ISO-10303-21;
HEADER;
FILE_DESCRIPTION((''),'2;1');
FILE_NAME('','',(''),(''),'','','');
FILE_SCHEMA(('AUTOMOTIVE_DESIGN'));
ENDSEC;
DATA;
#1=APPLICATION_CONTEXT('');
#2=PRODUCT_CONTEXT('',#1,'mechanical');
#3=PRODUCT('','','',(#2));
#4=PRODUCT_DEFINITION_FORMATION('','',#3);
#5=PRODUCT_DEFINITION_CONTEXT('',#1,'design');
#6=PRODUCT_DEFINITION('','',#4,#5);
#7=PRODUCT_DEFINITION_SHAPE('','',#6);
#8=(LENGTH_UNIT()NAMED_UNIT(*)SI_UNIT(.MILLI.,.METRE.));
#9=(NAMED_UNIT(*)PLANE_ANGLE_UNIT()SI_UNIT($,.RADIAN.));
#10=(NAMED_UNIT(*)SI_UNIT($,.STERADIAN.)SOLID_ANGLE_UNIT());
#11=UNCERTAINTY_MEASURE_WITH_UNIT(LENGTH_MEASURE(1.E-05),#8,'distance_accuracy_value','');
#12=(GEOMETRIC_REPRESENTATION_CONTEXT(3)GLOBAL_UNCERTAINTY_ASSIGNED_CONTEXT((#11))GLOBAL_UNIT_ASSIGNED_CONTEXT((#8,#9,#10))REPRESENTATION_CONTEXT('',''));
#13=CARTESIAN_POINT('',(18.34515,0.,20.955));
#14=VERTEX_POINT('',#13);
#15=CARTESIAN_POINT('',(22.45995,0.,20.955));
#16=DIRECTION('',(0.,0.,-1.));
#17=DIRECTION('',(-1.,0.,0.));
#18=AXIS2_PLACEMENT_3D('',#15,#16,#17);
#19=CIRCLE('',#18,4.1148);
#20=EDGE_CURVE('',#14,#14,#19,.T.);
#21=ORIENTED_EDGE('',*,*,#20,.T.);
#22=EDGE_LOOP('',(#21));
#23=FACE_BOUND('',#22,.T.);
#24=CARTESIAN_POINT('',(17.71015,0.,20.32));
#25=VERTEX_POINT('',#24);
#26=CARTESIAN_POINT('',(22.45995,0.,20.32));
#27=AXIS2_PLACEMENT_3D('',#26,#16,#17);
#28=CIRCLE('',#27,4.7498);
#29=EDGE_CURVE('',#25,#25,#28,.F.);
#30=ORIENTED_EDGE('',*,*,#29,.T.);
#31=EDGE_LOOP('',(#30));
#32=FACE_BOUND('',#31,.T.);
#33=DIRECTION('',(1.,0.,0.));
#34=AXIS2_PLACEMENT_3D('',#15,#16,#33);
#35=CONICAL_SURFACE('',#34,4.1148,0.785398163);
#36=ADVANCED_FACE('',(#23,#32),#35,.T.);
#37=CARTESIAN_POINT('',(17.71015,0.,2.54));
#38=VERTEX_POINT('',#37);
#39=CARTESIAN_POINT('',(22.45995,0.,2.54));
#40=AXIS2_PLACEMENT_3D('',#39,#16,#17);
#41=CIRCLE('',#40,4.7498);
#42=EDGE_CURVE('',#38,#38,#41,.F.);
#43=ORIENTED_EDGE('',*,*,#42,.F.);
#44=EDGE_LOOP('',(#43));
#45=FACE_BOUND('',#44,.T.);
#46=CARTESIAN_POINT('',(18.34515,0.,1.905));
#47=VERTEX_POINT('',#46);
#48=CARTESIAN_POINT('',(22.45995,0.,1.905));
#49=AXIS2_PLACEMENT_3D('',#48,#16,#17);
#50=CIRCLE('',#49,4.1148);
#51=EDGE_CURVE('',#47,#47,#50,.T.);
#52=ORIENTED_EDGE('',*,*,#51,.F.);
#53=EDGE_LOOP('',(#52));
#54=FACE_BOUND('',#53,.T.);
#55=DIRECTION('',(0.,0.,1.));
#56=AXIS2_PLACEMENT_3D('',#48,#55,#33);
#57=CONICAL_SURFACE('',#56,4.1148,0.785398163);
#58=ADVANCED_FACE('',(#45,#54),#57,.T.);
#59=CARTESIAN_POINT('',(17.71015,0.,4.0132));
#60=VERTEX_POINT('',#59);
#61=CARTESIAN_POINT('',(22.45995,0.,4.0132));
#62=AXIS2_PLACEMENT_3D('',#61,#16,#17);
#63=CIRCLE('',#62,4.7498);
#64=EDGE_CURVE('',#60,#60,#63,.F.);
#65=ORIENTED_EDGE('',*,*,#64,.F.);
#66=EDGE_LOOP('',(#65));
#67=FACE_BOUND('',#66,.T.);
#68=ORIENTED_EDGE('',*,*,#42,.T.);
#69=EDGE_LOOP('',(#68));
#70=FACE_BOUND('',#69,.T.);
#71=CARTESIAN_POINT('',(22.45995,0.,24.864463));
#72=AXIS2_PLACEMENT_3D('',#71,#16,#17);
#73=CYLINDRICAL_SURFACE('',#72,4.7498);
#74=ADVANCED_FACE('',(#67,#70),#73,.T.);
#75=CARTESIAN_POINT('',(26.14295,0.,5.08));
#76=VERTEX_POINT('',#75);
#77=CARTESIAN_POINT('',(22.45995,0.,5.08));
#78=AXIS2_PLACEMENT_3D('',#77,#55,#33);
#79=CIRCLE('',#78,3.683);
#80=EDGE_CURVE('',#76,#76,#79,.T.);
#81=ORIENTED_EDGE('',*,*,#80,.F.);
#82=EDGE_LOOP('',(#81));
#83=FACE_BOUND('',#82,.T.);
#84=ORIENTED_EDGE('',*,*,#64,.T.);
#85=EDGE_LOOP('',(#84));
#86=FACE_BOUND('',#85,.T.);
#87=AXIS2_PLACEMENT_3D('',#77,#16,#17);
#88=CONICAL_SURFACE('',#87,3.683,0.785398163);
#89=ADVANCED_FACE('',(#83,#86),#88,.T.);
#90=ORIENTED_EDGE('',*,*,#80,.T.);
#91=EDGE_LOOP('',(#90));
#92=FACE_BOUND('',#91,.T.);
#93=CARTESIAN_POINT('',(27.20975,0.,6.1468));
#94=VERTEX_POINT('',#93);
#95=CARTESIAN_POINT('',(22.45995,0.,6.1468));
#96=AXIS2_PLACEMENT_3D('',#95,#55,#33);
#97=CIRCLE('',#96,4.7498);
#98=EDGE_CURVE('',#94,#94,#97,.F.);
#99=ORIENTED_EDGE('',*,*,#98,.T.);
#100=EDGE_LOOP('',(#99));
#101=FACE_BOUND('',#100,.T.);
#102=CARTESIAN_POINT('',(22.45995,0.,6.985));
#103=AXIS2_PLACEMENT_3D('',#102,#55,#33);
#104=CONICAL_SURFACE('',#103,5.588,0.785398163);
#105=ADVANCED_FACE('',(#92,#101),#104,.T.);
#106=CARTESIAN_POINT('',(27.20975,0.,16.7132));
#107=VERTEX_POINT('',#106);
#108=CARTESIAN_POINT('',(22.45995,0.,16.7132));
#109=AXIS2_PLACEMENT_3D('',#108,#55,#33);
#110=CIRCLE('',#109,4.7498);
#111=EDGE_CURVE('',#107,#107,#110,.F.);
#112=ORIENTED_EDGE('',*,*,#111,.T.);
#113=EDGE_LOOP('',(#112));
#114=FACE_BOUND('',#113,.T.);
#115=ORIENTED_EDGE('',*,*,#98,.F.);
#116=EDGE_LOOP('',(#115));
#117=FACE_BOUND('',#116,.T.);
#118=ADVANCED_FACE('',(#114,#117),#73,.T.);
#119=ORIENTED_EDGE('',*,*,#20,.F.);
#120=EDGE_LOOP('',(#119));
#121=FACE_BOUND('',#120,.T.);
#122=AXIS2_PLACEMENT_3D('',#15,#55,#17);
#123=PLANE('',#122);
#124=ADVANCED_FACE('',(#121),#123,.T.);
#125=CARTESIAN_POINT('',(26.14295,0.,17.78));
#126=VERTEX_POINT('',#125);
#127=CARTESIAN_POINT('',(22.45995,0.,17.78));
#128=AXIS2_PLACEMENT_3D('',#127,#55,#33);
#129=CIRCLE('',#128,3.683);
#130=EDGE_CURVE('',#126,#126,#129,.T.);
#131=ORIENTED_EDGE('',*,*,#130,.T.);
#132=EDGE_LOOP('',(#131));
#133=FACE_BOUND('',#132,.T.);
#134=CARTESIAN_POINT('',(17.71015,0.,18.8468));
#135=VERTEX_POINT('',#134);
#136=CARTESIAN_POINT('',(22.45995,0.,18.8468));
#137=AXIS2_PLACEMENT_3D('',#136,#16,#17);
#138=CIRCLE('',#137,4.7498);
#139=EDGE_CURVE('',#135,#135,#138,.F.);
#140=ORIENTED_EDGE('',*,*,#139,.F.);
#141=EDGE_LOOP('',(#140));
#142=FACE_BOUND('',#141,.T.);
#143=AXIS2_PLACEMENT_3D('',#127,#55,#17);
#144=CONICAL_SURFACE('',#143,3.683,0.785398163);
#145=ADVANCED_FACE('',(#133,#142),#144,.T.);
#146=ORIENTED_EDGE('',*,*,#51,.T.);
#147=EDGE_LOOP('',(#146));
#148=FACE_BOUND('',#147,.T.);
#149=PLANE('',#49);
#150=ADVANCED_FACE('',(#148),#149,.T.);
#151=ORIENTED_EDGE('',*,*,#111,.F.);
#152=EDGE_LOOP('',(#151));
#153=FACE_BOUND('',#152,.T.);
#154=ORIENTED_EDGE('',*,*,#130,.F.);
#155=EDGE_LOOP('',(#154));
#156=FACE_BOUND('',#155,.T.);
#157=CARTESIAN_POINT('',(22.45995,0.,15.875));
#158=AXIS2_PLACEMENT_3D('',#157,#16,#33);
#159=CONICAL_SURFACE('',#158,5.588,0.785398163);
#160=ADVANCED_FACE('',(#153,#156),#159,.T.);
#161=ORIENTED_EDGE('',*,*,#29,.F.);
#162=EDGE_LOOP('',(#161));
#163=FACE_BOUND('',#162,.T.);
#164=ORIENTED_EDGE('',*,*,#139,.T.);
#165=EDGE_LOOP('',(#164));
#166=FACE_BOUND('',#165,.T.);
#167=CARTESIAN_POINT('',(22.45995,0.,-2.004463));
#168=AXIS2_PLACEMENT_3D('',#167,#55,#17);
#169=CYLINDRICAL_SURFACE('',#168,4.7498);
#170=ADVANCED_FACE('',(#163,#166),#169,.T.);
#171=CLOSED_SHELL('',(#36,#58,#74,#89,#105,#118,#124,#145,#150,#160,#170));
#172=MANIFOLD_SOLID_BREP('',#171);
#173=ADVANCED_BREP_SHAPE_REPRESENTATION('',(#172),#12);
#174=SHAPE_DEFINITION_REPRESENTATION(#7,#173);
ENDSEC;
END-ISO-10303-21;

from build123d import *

# Parameters (mm, degrees)
SKETCH1_R                = 4.7498
EXTRUDE1_DEPTH           = 11.43
SKETCH3_R                = 4.7498
CUT_EXTRUDE1_DEPTH       = 1.905
CHAMFER1_SIZE            = 0.635
CHAMFER1_OF_MIRROR1_SIZE = 0.635


with BuildPart() as part:
    # Sketch1 → Extrude1 (new body)
    with BuildSketch(Plane.XY):
        with Locations((22.45995, 0)):
            Circle(SKETCH1_R)
    extrude1 = extrude(amount=EXTRUDE1_DEPTH)

    # Sketch2 → Cut-Revolve1 (revolve, cut)
    with BuildSketch(Plane(origin=(0, 0, 0), x_dir=(-1, 0, 0), z_dir=(0, 1, 0))):
        Polygon((-18.77695, 5.08), (-16.87195, 6.985), (-16.87195, 3.175), align=None)
    cut_revolve1 = revolve(axis=Axis((22.45995, 0, 11.43), (0, 0, -1)), mode=Mode.SUBTRACT)

    # Sketch3 → Cut-Extrude1 (cut)
    with BuildSketch(Plane(origin=(0, 0, 0), x_dir=(-1, 0, 0), z_dir=(0, 0, -1))):
        with Locations((-22.45995, 0)):
            Circle(SKETCH3_R)
    cut_extrude1 = extrude(amount=-CUT_EXTRUDE1_DEPTH, mode=Mode.SUBTRACT)

    # Chamfer1
    chamfer1_edges = [part.edges().sort_by_distance(p)[0] for p in [
        (17.71015, 0, 1.905),
    ]]
    chamfer(chamfer1_edges, length=CHAMFER1_SIZE)

    # Mirror1: Extrude1, Cut-Revolve1, Cut-Extrude1 across plane
    add(extrude1.mirror(Plane(origin=(28.80995, -13.97, 11.43), x_dir=(1, 0, 0), z_dir=(0, 0, -1))))
    add(cut_revolve1.mirror(Plane(origin=(28.80995, -13.97, 11.43), x_dir=(1, 0, 0), z_dir=(0, 0, -1))), mode=Mode.SUBTRACT)
    add(cut_extrude1.mirror(Plane(origin=(28.80995, -13.97, 11.43), x_dir=(1, 0, 0), z_dir=(0, 0, -1))), mode=Mode.SUBTRACT)

    # Chamfer1 of Mirror1
    chamfer1_of_mirror1_edges = [part.edges().sort_by_distance(p)[0] for p in [
        (17.71015, 0, 20.955),
    ]]
    chamfer(chamfer1_of_mirror1_edges, length=CHAMFER1_OF_MIRROR1_SIZE)


solid = part.part
